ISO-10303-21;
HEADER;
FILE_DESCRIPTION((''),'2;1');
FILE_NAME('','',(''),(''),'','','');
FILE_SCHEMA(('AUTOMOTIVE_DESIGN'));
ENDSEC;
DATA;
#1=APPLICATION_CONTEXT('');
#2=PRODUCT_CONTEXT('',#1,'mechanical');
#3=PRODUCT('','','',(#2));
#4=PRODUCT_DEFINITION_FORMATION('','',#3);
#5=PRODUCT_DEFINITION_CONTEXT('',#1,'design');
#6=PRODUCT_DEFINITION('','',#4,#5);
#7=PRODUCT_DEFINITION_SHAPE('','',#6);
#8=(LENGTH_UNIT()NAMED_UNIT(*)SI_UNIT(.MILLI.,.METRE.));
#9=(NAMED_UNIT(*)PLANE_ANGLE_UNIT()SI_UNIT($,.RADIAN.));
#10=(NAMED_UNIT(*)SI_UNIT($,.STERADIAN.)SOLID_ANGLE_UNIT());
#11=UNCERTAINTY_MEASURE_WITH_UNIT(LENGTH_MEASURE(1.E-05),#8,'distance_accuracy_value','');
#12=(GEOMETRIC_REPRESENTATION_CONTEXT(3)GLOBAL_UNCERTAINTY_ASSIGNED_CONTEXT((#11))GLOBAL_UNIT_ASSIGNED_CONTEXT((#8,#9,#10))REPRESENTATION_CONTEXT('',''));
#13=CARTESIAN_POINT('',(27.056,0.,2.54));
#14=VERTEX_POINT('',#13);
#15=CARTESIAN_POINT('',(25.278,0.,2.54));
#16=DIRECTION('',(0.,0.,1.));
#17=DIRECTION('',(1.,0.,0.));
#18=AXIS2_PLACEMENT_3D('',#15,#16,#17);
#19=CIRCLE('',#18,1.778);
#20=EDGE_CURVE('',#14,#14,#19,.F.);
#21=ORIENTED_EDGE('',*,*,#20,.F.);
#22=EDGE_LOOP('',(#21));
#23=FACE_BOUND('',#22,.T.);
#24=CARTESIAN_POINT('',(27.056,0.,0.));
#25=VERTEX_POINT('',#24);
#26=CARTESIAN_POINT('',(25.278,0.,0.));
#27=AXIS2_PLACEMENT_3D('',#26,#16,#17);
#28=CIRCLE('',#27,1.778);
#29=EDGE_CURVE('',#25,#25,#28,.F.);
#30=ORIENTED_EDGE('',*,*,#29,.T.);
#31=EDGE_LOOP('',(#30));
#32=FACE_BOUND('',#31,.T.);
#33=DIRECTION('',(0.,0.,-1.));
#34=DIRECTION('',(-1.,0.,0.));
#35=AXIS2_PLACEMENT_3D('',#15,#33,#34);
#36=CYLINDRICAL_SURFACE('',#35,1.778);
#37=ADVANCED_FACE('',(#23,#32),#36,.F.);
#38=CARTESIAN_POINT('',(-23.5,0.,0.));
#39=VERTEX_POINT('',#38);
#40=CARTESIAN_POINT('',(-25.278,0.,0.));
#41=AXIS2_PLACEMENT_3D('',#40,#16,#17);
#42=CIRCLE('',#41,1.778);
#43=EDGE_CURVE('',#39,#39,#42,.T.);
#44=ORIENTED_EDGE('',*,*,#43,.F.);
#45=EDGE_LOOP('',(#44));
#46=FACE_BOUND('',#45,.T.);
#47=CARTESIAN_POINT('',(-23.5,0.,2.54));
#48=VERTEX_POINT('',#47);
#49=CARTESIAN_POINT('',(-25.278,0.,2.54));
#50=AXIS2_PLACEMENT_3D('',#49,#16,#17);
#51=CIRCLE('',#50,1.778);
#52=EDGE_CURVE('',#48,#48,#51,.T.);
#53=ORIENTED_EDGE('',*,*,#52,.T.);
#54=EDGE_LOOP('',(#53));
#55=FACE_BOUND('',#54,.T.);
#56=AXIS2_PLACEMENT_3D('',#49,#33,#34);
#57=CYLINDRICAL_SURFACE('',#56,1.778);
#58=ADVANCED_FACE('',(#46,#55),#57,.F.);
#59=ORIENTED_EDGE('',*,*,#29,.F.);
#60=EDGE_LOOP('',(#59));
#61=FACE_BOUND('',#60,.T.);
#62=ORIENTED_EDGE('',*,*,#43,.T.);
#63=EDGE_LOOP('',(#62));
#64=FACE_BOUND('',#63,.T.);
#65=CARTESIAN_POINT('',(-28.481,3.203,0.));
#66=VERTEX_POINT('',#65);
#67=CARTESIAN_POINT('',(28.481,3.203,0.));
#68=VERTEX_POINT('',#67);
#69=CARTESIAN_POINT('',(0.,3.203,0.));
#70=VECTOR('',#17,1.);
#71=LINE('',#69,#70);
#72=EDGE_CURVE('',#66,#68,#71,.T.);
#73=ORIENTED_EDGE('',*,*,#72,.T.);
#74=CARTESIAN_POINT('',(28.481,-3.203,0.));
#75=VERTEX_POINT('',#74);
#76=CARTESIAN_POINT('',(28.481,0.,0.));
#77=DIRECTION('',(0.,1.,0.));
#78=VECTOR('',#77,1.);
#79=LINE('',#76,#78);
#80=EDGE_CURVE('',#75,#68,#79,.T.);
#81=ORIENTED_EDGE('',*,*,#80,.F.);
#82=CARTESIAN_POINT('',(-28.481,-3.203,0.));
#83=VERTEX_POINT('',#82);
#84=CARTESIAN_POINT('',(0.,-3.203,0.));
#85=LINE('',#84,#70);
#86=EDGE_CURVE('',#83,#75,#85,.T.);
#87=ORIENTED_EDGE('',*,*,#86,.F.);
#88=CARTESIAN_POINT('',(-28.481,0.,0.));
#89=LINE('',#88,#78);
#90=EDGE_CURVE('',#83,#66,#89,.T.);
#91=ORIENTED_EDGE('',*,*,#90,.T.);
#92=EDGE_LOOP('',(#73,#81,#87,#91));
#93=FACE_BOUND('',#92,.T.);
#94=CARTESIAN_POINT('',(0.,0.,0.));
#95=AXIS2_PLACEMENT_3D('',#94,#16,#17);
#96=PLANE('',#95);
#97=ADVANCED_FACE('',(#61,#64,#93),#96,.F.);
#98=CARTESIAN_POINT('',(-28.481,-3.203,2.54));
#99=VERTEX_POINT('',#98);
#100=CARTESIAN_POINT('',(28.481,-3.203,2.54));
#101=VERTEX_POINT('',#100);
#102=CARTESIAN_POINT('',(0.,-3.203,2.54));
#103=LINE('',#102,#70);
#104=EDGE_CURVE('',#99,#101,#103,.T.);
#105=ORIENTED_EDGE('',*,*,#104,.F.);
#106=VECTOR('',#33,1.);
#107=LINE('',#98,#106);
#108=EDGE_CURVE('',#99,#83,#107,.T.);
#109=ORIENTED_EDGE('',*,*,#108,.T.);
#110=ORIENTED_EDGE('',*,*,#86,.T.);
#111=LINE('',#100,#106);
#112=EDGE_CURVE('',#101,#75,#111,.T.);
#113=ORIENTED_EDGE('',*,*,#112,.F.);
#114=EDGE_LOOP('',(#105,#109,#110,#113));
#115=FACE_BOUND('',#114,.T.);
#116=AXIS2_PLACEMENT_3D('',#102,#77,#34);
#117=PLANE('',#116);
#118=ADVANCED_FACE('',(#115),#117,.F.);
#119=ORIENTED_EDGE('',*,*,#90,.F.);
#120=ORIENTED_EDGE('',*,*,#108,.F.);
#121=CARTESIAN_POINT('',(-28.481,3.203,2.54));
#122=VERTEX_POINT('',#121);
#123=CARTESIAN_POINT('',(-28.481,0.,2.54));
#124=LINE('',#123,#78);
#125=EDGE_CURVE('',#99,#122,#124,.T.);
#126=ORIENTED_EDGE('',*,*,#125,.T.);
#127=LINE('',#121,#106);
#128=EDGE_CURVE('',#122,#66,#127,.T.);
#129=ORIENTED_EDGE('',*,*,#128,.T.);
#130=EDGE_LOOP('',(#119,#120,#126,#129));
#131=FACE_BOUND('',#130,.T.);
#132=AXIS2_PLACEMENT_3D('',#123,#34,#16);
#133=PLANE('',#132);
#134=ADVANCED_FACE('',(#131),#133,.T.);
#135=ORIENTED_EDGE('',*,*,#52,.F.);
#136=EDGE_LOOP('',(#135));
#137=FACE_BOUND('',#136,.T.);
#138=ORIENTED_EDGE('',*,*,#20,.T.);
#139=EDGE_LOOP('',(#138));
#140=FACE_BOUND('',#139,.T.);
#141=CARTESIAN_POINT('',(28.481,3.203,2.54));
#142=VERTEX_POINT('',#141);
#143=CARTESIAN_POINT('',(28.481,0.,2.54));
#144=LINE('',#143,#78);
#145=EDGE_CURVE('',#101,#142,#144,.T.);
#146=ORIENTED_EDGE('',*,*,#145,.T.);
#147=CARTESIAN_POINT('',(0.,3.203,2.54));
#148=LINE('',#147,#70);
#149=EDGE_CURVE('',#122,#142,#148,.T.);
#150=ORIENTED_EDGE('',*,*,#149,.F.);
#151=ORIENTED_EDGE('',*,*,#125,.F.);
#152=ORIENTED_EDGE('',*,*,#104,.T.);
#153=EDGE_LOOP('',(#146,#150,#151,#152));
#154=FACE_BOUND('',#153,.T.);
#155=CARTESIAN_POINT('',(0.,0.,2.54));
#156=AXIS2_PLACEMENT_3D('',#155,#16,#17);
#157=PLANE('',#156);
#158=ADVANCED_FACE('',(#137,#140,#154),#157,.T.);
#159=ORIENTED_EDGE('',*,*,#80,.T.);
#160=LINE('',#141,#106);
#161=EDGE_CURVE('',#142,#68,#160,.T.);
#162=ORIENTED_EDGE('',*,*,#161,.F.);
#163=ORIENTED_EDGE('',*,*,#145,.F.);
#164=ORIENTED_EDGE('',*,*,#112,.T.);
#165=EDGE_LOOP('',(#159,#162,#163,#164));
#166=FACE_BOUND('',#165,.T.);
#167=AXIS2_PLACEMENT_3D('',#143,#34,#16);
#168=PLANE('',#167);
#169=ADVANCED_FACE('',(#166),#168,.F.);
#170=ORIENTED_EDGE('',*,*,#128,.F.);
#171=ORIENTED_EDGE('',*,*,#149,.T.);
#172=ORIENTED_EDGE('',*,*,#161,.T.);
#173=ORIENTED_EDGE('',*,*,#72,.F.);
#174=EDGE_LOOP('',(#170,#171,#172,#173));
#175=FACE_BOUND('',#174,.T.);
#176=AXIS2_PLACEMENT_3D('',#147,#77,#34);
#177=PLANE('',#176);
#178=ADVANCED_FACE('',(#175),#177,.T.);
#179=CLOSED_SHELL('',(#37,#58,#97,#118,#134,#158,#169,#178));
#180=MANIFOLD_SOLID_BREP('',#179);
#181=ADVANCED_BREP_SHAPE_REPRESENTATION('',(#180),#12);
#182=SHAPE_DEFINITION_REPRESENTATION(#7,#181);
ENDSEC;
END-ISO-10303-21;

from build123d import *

# Parameters (mm, degrees)
SKETCH1_W      = 56.962
SKETCH1_H      = 6.406
SKETCH1_R      = 1.778
SPREADER_DEPTH = 2.54


with BuildPart() as part:
    # Sketch1 → Spreader (new body)
    with BuildSketch(Plane.XY):
        Rectangle(SKETCH1_W, SKETCH1_H)
        with Locations((-25.278, 0)):
            Circle(SKETCH1_R, mode=Mode.SUBTRACT)
        with Locations((25.278, 0)):
            Circle(SKETCH1_R, mode=Mode.SUBTRACT)
    extrude(amount=SPREADER_DEPTH)


solid = part.part
